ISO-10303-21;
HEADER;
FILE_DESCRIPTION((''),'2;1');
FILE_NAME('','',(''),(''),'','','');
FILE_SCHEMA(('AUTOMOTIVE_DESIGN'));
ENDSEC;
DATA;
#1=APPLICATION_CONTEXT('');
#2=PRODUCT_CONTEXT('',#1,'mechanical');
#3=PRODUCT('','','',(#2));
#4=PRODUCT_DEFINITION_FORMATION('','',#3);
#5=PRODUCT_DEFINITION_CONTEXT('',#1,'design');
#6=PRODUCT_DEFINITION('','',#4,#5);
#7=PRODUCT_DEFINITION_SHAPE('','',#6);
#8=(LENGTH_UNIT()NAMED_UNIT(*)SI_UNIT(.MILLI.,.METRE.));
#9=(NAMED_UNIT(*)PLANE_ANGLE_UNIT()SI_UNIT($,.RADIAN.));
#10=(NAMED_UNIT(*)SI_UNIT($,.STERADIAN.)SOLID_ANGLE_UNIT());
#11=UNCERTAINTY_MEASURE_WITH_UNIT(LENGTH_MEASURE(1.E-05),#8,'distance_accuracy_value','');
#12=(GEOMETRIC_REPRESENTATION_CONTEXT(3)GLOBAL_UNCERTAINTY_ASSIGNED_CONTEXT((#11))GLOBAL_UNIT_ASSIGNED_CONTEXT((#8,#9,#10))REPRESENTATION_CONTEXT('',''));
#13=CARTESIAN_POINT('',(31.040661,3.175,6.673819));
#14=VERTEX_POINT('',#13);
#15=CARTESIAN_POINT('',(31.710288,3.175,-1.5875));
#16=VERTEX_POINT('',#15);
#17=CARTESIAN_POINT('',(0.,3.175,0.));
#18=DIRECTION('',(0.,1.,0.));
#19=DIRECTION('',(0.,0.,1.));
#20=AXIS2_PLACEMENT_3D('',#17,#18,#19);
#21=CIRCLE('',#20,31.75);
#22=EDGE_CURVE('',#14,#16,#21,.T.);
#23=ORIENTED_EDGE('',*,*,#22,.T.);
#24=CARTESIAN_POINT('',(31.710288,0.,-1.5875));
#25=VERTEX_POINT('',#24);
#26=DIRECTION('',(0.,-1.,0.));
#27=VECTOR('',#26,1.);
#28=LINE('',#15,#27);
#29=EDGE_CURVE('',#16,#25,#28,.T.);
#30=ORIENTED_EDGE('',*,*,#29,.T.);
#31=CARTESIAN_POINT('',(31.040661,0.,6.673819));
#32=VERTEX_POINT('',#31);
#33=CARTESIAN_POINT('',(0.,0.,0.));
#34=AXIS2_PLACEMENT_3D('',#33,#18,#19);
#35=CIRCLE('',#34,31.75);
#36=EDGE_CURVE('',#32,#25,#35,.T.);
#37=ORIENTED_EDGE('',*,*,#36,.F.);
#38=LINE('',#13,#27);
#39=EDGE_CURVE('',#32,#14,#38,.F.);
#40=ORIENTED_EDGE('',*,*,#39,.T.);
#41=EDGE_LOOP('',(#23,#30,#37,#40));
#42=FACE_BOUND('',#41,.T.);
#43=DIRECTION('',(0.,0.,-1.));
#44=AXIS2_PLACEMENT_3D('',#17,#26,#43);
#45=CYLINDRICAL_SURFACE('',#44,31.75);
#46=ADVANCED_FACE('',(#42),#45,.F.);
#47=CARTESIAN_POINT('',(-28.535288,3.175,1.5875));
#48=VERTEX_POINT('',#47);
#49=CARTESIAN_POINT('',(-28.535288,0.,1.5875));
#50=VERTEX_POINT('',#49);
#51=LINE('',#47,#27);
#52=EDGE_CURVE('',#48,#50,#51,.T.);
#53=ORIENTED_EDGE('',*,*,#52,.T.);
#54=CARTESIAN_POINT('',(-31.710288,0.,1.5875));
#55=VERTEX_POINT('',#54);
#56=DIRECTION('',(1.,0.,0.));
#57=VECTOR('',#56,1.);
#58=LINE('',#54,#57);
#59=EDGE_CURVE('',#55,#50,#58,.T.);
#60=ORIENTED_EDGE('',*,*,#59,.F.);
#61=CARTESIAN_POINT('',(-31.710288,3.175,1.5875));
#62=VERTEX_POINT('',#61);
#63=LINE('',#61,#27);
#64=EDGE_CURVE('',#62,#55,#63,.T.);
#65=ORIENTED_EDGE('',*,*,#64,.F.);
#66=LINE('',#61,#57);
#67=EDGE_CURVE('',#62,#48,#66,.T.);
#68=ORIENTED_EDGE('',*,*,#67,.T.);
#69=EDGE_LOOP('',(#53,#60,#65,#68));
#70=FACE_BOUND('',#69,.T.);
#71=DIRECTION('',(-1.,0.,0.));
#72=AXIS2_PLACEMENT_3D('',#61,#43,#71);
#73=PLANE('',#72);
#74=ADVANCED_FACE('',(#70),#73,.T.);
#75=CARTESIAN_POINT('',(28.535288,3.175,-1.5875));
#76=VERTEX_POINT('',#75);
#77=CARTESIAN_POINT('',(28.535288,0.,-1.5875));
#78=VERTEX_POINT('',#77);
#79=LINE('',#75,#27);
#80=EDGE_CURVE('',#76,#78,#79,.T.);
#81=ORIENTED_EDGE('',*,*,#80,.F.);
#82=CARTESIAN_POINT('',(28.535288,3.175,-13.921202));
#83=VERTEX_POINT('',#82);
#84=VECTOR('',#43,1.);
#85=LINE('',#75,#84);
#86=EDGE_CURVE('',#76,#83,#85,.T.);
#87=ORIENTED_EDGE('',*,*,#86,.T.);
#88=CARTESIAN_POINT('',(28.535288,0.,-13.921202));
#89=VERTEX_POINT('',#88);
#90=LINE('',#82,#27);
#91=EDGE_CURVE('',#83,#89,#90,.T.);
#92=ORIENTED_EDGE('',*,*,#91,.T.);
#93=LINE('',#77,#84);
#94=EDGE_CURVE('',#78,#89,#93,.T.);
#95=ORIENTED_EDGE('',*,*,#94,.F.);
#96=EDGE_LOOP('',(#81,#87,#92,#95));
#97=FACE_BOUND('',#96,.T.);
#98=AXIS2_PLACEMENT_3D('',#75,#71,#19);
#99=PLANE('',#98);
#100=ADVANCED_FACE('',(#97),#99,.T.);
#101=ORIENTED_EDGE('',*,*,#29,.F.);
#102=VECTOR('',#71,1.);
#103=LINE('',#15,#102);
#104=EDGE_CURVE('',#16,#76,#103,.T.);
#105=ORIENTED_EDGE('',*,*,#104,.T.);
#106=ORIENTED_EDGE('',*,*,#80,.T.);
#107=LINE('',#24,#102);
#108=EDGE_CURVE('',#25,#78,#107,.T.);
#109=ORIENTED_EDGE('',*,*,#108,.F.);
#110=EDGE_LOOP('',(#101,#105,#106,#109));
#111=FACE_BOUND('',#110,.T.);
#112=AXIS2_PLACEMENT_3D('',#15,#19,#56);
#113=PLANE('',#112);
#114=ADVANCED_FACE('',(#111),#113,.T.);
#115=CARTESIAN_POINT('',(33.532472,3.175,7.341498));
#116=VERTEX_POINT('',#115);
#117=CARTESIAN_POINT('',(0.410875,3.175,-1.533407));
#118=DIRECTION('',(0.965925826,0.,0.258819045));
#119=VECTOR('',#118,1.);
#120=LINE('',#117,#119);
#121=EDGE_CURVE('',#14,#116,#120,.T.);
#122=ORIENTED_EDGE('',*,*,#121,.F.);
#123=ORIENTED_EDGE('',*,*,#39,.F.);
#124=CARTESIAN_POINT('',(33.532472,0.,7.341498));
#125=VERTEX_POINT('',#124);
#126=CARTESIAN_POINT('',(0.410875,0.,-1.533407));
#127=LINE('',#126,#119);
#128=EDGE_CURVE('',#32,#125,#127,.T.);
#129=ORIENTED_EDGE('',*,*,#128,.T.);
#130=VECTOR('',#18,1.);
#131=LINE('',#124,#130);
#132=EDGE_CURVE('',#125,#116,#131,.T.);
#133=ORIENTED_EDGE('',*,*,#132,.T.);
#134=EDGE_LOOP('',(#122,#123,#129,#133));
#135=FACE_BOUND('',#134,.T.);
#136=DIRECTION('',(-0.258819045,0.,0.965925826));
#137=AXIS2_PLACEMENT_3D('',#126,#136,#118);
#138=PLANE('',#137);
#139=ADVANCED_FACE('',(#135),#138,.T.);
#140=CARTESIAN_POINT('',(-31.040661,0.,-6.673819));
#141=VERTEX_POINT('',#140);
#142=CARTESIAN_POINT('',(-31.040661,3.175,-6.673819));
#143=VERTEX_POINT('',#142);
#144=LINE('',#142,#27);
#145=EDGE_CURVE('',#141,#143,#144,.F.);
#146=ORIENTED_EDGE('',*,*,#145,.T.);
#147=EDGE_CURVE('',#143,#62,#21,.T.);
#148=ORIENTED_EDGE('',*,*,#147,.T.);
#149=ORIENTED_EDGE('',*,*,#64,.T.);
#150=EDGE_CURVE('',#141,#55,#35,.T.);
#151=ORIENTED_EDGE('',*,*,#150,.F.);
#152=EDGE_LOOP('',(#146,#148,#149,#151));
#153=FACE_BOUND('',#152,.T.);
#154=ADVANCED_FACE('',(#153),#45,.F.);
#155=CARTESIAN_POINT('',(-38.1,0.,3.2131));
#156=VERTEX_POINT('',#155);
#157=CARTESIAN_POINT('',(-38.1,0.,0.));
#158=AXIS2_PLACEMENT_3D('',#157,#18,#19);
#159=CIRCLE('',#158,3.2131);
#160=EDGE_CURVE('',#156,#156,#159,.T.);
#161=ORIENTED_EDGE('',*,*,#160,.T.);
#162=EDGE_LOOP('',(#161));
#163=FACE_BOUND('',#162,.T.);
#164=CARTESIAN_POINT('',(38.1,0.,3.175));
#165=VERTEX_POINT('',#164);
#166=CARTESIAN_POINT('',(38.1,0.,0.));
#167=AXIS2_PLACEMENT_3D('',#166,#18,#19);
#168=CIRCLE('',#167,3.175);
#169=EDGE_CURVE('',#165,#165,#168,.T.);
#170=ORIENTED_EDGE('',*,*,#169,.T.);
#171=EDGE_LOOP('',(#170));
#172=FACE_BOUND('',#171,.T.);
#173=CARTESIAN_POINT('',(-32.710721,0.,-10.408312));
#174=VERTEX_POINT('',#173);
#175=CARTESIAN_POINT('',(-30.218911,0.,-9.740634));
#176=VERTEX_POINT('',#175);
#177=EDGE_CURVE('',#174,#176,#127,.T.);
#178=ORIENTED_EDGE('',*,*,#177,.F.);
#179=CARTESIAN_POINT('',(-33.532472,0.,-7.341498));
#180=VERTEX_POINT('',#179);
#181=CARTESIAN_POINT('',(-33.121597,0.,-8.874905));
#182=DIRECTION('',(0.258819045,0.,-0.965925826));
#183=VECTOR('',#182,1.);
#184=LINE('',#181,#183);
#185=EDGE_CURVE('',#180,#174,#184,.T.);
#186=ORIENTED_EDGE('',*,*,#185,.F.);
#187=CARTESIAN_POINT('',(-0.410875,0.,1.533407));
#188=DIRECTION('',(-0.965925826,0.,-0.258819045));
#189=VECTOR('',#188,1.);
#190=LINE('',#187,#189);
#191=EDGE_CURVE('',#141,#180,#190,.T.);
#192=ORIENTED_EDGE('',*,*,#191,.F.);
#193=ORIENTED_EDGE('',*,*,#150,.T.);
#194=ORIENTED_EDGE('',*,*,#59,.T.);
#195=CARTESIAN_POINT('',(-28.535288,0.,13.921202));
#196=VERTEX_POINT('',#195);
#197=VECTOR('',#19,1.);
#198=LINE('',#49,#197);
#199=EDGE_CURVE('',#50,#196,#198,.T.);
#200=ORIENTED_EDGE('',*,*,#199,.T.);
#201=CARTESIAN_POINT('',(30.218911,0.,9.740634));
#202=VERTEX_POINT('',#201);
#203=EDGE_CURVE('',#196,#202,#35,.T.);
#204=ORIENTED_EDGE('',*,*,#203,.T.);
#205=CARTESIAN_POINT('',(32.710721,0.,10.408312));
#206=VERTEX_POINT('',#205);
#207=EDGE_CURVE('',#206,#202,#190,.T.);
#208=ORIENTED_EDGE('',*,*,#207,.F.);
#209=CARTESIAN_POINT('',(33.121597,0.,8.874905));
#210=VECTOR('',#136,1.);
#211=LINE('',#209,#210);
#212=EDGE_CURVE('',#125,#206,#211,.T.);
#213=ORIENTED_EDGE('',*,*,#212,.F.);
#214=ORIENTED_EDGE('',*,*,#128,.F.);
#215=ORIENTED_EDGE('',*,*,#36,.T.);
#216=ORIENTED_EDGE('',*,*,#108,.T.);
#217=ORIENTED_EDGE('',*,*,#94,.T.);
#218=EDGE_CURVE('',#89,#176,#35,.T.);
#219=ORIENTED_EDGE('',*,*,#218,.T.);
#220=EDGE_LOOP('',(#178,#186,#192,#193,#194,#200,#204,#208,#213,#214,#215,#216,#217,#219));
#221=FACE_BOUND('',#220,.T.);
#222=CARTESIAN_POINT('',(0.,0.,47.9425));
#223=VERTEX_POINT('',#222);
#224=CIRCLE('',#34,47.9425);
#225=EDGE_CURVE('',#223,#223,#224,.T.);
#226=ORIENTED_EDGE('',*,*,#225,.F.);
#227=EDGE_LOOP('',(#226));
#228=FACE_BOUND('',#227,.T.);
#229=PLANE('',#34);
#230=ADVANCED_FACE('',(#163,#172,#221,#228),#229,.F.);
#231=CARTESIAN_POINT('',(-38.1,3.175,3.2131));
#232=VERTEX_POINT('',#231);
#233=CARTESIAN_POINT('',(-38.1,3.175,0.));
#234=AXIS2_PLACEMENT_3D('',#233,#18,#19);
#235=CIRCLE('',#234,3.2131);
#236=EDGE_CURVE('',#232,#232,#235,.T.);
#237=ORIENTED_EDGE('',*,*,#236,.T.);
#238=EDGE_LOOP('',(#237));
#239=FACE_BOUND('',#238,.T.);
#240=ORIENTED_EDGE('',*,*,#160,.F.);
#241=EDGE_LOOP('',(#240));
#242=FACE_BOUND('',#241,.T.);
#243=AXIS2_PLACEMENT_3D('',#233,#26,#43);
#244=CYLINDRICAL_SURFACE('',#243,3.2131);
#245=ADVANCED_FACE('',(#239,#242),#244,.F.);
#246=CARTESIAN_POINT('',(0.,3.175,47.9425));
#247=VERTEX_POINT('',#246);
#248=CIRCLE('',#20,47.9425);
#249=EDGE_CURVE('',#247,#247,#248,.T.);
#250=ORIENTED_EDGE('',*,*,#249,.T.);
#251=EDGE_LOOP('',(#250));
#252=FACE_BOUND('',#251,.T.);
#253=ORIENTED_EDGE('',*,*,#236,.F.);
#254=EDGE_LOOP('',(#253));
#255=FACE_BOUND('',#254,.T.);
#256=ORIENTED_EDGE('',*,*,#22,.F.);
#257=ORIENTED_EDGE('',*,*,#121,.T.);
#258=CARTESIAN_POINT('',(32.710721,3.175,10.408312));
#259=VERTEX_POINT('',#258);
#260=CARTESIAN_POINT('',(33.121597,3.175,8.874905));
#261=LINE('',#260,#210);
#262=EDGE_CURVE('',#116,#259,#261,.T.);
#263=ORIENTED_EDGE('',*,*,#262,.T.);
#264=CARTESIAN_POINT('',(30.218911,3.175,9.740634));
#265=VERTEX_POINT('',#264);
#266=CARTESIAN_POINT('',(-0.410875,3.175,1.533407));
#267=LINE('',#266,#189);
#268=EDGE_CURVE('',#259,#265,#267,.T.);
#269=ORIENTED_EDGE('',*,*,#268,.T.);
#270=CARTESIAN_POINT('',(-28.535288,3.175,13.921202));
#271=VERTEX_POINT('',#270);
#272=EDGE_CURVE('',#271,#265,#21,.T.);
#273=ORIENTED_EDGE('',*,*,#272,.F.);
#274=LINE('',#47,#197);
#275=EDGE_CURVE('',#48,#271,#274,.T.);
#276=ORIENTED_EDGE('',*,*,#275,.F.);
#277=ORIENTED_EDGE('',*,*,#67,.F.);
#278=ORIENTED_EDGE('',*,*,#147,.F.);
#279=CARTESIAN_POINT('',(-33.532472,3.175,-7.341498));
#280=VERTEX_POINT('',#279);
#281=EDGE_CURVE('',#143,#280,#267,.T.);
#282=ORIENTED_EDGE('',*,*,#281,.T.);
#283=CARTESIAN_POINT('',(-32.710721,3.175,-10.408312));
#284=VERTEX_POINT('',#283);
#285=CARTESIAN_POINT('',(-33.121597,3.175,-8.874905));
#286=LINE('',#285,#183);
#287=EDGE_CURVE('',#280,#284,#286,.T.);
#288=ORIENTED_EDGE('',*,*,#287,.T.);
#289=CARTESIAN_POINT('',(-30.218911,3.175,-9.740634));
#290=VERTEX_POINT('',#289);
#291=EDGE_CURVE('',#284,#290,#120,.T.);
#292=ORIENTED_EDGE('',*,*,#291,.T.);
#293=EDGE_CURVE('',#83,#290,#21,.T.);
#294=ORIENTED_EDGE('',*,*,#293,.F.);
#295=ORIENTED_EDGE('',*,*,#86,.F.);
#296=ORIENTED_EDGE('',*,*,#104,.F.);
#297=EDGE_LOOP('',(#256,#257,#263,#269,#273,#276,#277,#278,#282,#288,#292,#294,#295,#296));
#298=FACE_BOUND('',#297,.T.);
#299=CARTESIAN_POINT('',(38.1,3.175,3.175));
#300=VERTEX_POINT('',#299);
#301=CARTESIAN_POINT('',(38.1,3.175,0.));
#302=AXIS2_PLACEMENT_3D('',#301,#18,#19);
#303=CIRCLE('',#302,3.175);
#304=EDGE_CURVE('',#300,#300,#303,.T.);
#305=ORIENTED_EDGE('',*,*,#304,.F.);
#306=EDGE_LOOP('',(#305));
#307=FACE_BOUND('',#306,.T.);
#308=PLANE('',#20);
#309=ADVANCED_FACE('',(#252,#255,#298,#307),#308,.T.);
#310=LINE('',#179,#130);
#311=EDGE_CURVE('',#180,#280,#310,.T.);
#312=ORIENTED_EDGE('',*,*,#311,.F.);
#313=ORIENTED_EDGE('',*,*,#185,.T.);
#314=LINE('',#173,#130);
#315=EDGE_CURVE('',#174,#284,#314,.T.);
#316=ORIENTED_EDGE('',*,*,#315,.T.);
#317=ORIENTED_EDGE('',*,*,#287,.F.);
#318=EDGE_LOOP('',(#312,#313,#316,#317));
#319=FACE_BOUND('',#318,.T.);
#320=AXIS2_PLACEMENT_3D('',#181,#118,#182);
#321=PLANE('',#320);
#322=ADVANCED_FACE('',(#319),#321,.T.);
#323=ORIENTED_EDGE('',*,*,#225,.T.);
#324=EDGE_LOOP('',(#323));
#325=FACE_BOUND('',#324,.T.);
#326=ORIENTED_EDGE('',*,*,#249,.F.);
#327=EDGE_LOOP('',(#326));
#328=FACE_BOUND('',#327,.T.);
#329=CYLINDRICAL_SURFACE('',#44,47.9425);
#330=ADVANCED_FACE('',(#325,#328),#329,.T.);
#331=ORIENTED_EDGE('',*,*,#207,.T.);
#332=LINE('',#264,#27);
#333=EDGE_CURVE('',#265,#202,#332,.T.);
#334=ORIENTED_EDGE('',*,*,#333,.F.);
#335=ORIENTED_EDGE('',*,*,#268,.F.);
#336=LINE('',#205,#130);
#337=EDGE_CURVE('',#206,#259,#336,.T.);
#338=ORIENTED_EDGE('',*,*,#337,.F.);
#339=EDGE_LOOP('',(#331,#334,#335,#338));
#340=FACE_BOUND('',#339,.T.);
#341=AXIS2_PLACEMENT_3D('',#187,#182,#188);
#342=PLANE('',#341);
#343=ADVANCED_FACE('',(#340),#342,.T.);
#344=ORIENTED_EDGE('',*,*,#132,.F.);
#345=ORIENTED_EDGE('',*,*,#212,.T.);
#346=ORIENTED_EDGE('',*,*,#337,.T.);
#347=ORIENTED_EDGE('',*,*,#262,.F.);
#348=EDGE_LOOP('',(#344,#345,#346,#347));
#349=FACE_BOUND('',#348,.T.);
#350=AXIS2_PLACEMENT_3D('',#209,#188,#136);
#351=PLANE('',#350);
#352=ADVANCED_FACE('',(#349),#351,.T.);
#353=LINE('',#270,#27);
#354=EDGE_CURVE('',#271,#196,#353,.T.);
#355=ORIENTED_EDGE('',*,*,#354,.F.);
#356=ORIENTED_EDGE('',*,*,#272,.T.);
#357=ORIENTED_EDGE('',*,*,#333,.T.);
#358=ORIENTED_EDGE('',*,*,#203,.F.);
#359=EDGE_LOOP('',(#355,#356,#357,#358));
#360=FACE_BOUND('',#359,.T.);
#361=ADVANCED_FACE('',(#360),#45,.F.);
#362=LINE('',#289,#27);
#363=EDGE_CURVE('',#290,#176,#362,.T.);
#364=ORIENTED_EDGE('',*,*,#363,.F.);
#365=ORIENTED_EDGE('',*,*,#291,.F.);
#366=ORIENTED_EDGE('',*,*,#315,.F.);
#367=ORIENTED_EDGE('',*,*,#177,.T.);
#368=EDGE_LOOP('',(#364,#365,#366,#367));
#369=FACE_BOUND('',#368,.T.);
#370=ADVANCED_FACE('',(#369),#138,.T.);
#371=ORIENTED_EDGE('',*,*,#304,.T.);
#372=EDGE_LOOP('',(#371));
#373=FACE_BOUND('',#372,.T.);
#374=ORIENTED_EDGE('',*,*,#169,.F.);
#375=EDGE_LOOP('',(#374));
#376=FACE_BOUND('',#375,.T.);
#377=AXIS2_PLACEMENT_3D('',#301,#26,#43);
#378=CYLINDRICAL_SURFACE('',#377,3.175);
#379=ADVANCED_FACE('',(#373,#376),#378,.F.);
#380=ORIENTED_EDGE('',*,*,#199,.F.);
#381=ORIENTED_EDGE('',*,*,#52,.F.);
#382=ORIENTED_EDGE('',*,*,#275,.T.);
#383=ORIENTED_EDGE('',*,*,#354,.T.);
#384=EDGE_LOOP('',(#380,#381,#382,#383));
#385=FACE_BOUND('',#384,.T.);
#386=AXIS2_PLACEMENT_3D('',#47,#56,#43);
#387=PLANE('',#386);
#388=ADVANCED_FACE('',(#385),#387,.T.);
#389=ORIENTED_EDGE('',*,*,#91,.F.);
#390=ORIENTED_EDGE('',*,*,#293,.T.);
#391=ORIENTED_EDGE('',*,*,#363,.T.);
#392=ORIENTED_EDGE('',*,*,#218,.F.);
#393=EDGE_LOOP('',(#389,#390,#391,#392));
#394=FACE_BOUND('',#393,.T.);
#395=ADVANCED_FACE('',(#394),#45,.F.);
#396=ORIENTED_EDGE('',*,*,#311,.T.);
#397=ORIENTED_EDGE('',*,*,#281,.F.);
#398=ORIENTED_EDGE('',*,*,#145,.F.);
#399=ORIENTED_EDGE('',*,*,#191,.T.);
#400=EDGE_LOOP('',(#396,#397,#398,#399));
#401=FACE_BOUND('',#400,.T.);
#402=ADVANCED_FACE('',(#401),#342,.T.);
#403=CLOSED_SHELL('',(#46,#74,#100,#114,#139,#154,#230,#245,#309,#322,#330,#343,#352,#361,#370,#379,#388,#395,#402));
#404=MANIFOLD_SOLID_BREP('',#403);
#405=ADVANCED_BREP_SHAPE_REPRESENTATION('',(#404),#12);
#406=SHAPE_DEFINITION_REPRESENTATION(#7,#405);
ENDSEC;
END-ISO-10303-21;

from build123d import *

# Parameters (mm, degrees)
SKETCH1_R           = 47.9425
SKETCH1_R_2         = 3.2131
SKETCH1_R_3         = 3.175
BOSS_EXTRUDE1_DEPTH = 3.175
CUT_EXTRUDE1_DEPTH  = 68.875232873


with BuildPart() as part:
    # Sketch1 → Boss-Extrude1 (new body)
    with BuildSketch(Plane(origin=(0, 0, 0), x_dir=(1, 0, 0), z_dir=(0, 1, 0))):
        Circle(SKETCH1_R)
        with Locations((-38.1, 0)):
            Circle(SKETCH1_R_2, mode=Mode.SUBTRACT)
        with Locations((38.1, 0)):
            Circle(SKETCH1_R_3, mode=Mode.SUBTRACT)
        with BuildLine():
            Line((-31.710287664, -1.5875), (-28.535287664, -1.5875))
            Line((-28.535287664, -1.5875), (-28.535287664, -13.921201741))
            ThreePointArc((-28.535287664, -13.921201741), (7.915182479, -30.74755903), (31.710287664, 1.5875))
            Line((31.710287664, 1.5875), (28.535287664, 1.5875))
            Line((28.535287664, 1.5875), (28.535287664, 13.921201741))
            ThreePointArc((28.535287664, 13.921201741), (-7.915182479, 30.74755903), (-31.710287664, -1.5875))
        make_face(mode=Mode.SUBTRACT)
    extrude(amount=BOSS_EXTRUDE1_DEPTH)

    # Sketch2 → Cut-Extrude1 (cut, through all)
    with BuildSketch(Plane(origin=(0, 3.175, 0), x_dir=(1, 0, 0), z_dir=(0, 1, 0))):
        Polygon((-32.710721349, 10.408312306), (-33.532471818, 7.341497807), (32.710721349, -10.408312306), (33.532471818, -7.341497807), align=None)
    extrude(amount=-CUT_EXTRUDE1_DEPTH, mode=Mode.SUBTRACT)


solid = part.part
